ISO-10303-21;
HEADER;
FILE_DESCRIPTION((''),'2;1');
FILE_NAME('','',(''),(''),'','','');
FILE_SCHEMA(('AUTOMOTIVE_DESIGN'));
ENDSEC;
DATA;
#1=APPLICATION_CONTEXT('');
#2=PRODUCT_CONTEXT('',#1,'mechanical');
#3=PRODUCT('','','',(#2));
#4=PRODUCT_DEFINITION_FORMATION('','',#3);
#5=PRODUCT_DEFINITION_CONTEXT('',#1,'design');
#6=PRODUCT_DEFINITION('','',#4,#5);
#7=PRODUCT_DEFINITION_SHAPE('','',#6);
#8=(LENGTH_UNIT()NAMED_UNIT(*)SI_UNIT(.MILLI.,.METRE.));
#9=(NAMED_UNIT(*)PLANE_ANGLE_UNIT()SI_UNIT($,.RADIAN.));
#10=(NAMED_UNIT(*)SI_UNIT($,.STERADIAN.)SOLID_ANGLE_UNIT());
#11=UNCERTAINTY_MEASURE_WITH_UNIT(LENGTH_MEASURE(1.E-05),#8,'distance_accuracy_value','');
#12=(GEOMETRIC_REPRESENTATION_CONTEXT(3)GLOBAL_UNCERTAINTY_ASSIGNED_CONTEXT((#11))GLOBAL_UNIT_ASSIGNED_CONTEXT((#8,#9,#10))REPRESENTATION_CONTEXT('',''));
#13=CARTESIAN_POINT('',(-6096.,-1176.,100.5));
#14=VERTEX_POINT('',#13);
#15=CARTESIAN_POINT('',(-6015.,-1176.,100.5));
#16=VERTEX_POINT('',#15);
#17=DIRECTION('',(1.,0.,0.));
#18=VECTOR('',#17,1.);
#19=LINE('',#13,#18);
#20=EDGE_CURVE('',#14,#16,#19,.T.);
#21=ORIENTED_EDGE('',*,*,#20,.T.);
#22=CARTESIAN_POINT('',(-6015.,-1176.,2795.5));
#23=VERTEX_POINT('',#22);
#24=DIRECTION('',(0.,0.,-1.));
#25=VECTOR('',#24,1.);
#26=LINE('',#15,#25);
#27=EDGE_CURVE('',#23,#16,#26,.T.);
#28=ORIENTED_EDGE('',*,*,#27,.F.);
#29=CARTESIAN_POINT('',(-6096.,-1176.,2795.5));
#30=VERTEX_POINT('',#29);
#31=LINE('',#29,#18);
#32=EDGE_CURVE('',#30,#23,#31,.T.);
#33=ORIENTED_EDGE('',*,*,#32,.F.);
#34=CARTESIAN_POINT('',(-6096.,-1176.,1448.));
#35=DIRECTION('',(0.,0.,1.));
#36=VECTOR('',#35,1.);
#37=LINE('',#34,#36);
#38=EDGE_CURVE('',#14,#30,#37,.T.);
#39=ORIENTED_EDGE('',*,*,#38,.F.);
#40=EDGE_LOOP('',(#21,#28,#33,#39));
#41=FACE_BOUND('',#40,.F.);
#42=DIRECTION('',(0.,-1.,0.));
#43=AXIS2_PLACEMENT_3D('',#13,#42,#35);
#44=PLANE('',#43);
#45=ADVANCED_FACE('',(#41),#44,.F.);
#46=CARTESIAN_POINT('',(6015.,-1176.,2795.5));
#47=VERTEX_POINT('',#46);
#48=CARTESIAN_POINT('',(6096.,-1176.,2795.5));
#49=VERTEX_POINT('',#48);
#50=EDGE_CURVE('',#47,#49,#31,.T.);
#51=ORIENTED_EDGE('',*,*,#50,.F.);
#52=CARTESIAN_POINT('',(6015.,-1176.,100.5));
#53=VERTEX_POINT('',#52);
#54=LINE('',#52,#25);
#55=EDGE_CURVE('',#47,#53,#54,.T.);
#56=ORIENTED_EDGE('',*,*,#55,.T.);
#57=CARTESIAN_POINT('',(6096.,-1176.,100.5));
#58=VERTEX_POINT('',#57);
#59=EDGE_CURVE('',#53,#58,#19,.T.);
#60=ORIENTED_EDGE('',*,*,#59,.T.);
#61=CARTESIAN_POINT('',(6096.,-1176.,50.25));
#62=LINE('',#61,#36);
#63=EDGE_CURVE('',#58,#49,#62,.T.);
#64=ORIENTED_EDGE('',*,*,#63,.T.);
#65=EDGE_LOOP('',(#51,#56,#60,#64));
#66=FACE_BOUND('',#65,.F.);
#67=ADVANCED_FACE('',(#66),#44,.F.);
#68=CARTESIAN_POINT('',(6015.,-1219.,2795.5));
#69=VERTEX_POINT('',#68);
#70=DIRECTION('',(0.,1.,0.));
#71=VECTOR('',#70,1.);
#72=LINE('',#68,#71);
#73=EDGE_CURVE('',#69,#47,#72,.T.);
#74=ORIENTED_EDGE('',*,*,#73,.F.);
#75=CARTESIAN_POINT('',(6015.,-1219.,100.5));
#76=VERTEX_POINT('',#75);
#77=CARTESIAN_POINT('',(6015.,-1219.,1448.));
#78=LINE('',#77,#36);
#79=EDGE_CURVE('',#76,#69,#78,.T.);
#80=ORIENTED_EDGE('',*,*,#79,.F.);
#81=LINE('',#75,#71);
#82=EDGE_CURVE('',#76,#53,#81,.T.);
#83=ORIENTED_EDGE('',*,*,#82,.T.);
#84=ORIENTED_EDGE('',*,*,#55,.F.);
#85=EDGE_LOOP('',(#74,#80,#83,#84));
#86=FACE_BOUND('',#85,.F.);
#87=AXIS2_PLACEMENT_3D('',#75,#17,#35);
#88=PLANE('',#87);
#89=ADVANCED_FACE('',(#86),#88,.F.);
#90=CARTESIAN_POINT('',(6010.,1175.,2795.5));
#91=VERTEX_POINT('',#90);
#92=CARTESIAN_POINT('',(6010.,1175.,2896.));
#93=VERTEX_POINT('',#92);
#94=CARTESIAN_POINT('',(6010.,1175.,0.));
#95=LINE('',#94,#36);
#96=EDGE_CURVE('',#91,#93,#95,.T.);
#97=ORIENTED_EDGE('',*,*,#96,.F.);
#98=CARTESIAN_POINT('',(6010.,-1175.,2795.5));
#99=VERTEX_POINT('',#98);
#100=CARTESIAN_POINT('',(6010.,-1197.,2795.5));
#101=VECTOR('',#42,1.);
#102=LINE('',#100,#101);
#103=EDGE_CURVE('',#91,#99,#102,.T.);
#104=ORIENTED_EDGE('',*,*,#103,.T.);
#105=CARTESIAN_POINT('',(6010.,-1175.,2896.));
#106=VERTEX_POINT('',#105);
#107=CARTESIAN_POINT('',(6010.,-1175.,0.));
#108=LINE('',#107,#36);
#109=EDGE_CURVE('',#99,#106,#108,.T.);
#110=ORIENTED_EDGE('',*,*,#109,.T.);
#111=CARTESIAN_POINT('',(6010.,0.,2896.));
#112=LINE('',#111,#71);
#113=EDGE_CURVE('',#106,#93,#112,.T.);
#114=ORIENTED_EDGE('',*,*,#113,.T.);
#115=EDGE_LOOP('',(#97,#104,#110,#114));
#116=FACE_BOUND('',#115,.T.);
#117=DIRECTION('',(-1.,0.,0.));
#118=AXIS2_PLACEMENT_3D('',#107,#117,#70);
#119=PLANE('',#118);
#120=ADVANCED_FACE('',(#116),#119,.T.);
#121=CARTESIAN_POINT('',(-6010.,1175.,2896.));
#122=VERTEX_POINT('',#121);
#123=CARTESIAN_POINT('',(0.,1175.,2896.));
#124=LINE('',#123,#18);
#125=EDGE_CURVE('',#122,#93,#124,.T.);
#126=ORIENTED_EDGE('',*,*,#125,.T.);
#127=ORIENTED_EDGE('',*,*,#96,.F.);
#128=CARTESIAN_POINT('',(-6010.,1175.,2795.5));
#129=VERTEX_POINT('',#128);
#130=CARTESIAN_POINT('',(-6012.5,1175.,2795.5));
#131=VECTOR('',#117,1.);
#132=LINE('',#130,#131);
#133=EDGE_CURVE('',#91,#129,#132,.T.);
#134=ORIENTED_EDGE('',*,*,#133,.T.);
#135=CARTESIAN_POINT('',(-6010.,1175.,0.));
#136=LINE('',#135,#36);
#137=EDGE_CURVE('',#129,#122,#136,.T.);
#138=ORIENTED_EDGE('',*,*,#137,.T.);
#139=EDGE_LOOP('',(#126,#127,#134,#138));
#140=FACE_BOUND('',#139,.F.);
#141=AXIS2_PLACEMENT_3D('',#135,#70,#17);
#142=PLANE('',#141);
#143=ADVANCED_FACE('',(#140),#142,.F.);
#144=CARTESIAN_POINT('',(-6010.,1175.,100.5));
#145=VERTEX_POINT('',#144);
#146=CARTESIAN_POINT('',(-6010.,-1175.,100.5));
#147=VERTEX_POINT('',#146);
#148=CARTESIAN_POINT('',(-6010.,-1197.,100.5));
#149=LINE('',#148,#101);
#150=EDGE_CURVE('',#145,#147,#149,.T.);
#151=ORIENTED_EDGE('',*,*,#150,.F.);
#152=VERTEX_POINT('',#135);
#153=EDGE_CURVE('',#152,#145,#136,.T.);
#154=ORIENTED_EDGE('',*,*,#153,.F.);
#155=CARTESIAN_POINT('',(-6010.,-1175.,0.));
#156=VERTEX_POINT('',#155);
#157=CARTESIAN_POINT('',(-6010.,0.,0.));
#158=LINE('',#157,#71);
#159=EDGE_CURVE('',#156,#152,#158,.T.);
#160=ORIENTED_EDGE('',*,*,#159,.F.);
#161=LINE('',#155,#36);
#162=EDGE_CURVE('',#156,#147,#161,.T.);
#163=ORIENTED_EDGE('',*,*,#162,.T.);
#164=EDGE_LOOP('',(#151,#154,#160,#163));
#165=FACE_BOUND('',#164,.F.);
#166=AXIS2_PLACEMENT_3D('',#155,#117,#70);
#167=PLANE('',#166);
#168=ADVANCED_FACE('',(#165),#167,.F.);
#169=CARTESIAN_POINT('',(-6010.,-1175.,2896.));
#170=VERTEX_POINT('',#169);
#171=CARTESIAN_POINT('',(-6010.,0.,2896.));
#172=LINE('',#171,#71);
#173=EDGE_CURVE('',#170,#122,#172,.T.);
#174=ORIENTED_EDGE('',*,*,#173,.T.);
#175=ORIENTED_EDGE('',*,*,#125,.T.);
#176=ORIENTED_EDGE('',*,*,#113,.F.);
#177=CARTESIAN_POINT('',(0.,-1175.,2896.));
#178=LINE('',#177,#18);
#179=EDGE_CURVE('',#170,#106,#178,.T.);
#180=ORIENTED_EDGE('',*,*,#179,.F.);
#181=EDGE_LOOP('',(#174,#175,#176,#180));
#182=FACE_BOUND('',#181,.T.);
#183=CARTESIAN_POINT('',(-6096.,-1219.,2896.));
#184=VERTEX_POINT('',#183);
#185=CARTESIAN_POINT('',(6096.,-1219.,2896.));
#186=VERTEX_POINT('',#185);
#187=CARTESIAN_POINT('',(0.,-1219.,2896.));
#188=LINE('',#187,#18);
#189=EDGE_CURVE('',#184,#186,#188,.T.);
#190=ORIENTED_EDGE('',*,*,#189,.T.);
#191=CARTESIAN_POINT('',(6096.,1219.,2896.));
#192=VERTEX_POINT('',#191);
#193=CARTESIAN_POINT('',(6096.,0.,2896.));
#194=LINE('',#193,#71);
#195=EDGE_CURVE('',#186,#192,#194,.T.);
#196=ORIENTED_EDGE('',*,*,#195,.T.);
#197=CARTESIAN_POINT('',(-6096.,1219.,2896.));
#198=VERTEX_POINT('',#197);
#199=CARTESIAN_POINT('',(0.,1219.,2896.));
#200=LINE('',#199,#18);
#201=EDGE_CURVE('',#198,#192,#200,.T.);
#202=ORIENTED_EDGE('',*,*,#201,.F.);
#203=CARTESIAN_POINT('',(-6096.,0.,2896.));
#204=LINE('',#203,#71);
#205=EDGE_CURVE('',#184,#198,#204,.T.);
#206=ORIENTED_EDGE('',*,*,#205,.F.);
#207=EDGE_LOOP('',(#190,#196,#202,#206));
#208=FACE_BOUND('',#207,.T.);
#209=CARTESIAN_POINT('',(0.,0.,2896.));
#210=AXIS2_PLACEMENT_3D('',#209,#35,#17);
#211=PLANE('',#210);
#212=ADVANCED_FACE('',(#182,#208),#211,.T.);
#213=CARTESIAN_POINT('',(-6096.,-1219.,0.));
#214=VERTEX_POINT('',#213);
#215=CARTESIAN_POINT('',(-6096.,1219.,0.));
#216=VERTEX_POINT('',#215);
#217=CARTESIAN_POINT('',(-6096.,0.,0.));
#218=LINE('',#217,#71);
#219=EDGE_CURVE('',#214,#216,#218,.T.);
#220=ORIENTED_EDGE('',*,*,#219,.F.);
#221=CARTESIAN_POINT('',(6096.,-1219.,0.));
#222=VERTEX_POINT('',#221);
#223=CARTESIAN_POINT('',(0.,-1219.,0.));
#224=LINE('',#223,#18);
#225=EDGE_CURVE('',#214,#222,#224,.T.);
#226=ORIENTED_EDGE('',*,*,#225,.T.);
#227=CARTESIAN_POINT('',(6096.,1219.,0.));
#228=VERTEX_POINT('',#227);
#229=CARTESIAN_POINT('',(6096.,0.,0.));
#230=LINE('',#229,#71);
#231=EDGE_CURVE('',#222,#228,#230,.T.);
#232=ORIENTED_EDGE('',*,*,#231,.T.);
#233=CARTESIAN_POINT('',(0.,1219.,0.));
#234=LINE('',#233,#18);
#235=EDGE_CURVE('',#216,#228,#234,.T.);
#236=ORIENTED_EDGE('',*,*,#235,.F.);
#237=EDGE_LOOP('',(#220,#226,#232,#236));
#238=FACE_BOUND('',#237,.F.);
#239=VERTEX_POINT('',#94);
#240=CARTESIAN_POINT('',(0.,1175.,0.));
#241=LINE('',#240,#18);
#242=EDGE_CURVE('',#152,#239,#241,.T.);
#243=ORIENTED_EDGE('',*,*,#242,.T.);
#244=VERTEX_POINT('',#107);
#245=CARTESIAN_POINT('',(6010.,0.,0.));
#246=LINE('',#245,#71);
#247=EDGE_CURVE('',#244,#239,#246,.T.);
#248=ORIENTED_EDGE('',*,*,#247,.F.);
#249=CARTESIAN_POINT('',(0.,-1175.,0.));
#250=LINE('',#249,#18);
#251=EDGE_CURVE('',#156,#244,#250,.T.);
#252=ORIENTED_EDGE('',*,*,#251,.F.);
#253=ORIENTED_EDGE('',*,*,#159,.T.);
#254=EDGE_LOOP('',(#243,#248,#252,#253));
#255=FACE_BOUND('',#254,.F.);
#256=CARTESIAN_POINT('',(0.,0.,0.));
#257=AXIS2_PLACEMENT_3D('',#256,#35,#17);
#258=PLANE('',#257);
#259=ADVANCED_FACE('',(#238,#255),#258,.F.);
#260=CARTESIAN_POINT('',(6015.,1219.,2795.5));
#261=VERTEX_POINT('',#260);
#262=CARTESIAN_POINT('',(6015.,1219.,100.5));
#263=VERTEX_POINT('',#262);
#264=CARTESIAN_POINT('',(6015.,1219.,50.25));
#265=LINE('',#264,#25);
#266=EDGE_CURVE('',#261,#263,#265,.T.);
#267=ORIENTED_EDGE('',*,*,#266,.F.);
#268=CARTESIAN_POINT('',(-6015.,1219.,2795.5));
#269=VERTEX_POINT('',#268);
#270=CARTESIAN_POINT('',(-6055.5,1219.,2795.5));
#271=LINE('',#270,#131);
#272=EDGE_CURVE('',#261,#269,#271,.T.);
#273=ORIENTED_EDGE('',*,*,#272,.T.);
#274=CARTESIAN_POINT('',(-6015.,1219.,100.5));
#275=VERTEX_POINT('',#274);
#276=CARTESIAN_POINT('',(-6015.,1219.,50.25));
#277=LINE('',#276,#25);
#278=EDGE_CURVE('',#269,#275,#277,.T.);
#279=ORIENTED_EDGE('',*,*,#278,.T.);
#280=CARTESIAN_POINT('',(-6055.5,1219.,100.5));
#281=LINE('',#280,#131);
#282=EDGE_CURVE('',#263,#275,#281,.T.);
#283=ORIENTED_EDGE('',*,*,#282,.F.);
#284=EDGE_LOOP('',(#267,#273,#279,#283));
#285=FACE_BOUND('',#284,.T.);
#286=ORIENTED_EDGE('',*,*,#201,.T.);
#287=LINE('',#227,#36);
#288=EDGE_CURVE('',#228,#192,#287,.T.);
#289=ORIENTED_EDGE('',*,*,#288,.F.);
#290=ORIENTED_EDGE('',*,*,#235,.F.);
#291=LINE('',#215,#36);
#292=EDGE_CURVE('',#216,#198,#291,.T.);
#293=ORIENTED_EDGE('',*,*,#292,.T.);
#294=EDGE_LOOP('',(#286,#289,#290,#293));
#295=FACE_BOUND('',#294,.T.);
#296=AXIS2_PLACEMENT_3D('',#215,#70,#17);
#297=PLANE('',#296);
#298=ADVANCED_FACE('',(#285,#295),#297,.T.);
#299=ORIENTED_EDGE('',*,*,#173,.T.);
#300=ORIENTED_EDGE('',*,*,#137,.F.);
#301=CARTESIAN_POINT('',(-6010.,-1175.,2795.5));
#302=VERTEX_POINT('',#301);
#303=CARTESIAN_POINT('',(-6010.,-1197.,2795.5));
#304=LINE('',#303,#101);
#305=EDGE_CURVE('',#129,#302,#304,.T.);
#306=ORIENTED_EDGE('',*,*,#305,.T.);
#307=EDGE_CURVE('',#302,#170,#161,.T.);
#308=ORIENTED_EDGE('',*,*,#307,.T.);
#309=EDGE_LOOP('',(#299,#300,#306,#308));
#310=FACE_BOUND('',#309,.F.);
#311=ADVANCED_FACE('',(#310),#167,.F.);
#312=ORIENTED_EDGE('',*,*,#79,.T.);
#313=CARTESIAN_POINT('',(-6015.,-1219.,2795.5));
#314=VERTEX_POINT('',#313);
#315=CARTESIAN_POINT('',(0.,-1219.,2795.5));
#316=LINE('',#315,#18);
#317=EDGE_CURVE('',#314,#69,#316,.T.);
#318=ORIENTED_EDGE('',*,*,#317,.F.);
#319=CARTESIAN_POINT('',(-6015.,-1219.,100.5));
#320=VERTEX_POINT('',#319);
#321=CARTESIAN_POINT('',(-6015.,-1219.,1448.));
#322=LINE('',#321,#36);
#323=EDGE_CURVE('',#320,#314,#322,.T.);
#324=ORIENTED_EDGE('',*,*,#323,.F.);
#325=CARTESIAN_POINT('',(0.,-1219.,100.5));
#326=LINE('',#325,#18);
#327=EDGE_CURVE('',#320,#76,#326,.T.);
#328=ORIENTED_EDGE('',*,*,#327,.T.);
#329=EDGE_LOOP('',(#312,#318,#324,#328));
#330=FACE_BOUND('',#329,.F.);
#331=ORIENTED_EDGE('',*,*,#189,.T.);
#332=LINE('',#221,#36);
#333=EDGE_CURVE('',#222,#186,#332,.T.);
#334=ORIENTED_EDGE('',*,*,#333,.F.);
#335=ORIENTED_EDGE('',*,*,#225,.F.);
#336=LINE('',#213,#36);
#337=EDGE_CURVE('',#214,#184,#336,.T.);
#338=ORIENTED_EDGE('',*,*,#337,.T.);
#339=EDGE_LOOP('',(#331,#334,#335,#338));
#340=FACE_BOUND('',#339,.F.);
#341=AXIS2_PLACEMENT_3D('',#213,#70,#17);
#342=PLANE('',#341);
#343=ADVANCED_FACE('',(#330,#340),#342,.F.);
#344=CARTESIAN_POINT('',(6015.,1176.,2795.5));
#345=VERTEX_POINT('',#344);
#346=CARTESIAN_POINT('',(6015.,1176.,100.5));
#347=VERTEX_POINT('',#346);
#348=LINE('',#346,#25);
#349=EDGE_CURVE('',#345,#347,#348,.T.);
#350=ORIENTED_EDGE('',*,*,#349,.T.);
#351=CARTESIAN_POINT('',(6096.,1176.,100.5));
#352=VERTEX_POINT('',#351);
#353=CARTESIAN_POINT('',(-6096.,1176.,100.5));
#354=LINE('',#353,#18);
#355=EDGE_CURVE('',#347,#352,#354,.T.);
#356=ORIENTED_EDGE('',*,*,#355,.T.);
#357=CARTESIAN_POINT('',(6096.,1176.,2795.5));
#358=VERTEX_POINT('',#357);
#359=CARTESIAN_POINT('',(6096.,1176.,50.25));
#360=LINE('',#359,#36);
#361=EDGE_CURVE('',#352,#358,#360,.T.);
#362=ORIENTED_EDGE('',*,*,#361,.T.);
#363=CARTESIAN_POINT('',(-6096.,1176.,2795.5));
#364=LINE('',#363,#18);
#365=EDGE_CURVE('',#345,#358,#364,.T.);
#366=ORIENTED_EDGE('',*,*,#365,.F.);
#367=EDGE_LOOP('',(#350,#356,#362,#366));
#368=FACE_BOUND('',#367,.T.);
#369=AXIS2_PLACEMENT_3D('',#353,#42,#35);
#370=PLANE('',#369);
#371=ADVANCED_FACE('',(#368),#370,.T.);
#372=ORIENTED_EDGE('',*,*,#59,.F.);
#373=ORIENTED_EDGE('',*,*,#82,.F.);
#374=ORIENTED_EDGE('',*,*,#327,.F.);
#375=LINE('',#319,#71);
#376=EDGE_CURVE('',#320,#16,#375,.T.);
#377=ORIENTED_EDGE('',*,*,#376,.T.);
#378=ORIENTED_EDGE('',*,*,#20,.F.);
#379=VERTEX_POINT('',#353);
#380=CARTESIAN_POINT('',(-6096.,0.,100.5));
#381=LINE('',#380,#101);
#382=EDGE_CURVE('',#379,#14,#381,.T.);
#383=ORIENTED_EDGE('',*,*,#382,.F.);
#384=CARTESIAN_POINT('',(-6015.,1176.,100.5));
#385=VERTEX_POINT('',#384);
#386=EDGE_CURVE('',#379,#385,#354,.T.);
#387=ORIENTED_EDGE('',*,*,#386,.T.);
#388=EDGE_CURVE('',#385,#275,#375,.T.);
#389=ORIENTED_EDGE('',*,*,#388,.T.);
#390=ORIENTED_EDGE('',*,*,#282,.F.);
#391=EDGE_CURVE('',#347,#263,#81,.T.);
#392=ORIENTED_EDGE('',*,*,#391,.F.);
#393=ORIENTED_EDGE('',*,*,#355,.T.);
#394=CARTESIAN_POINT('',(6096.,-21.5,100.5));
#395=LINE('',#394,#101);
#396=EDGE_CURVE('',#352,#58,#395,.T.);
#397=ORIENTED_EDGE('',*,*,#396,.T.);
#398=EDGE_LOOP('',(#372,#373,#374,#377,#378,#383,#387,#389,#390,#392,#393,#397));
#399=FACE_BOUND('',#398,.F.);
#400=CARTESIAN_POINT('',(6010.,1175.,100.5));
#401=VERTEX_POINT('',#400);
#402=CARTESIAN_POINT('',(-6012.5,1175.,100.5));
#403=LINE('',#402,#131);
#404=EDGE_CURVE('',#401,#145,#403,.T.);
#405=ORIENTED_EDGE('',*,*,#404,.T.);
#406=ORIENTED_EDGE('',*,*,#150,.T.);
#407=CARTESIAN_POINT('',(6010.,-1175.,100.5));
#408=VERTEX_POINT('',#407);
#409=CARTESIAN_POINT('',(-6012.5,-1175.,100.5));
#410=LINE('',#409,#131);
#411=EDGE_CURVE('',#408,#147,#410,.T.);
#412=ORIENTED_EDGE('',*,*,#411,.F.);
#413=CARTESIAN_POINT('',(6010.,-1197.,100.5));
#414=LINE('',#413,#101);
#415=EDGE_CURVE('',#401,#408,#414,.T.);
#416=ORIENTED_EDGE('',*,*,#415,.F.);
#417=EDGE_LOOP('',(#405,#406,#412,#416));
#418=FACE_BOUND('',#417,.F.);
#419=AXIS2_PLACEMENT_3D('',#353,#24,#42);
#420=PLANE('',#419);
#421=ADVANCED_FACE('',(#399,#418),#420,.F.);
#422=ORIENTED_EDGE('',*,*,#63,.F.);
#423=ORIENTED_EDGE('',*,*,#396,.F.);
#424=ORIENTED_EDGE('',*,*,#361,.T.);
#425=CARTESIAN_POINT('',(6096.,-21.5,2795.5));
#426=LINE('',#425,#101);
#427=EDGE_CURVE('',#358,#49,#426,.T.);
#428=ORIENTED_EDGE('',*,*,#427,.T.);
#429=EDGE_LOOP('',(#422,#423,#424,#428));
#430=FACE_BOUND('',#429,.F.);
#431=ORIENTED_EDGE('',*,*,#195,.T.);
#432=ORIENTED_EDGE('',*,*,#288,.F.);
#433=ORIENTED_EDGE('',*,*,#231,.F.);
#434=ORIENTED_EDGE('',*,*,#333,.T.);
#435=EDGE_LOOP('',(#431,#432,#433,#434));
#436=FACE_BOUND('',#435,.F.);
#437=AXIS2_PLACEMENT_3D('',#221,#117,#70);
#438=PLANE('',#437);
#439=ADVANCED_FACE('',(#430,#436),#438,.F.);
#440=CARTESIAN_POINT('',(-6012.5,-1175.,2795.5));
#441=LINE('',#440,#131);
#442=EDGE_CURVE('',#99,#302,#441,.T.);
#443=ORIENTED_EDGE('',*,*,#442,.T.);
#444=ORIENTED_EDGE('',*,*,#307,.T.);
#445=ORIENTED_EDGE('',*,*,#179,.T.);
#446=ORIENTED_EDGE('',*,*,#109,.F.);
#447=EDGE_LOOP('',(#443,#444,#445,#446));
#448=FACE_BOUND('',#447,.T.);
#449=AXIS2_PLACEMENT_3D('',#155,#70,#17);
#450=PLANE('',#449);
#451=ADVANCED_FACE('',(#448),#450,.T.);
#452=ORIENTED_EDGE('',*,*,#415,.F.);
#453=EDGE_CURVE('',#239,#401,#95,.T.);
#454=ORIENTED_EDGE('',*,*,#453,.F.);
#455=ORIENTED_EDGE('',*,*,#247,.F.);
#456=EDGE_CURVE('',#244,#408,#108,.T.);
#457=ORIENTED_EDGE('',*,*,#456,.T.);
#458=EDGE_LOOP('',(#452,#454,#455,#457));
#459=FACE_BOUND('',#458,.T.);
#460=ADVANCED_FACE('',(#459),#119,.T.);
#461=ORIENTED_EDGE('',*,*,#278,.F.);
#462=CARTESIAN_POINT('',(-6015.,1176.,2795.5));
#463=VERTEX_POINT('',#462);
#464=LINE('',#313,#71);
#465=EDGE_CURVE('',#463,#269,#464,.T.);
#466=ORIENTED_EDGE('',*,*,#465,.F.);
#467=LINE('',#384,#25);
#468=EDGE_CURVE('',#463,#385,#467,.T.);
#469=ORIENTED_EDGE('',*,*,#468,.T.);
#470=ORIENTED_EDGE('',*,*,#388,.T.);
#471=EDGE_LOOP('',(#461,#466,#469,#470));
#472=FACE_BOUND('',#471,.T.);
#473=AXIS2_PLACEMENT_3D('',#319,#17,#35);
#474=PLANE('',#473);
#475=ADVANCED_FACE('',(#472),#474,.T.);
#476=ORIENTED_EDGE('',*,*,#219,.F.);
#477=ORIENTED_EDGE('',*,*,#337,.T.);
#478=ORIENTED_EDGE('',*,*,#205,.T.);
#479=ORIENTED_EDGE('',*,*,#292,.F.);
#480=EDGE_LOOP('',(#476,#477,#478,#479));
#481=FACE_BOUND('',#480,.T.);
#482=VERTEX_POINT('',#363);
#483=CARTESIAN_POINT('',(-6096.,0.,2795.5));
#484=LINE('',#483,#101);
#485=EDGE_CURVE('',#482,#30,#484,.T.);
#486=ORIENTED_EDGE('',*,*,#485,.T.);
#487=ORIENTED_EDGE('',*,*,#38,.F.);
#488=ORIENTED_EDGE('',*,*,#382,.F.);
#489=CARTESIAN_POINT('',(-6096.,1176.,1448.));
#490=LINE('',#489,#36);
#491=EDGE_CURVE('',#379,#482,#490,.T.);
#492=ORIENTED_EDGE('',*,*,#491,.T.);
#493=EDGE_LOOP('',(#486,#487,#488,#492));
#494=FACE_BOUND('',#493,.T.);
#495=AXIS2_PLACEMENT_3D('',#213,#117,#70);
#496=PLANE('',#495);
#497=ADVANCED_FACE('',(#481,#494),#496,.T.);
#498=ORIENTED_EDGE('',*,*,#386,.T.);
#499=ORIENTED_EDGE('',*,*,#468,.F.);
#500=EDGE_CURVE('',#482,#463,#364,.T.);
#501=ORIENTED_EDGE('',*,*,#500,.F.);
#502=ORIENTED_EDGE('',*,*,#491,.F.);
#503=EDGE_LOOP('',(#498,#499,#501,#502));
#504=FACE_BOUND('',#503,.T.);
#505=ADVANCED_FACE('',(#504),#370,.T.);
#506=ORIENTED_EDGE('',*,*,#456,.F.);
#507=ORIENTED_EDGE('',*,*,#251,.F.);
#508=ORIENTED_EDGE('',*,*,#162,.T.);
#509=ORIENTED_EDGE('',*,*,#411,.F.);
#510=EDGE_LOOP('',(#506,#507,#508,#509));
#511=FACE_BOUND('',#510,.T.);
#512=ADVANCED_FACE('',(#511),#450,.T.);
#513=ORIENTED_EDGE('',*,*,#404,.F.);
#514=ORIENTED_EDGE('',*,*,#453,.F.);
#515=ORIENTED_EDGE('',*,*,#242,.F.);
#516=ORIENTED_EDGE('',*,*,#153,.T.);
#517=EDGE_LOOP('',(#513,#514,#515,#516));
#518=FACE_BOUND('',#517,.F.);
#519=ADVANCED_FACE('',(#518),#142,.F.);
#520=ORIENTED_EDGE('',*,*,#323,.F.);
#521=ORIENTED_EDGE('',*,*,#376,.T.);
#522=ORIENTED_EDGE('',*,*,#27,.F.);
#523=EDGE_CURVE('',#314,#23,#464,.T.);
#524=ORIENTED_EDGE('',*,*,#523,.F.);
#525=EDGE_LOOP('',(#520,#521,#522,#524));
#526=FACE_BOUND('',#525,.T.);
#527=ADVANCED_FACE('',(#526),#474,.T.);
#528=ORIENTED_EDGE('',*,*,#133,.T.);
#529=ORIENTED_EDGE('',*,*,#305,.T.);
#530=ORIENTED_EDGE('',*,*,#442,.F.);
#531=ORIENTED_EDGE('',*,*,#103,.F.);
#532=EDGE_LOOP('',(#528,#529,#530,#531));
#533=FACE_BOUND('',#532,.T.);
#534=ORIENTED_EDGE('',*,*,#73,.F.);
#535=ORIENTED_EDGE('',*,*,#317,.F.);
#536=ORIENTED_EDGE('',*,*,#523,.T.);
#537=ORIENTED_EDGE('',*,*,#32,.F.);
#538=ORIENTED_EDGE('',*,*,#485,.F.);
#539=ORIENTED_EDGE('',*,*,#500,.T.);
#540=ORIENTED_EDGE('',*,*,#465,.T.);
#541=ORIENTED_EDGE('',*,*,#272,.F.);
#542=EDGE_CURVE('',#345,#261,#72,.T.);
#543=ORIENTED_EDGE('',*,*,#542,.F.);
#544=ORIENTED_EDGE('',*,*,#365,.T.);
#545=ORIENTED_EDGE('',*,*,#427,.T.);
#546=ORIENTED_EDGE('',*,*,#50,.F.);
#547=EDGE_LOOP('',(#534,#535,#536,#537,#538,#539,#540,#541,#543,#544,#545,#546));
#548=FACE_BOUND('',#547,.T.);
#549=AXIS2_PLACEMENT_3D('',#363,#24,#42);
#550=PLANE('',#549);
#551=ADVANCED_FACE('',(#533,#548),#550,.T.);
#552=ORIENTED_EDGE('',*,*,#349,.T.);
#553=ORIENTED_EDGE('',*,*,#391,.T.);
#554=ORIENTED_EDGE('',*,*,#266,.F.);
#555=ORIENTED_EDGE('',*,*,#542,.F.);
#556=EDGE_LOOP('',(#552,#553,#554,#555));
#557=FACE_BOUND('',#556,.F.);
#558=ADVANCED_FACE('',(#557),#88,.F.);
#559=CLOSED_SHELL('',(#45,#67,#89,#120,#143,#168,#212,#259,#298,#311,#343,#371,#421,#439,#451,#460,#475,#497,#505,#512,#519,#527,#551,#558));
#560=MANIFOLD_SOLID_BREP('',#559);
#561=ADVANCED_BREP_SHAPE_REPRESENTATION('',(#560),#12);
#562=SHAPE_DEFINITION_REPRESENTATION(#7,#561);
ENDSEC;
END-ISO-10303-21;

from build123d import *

# Parameters (mm, degrees)
F4_W     = 12192
F4_H     = 2438
F4_W_2   = 12020
F4_H_2   = 2350
F0_DEPTH = 2896
F1_W     = 12030
F1_H     = 2695
F5_DEPTH = 2438.001
F2_W     = 2352
F2_H     = 2695
F3_DEPTH = 12192.001


with BuildPart() as f0:
    # F4 (on Top) → F0 (new body)
    with BuildSketch(Plane.XY):
        Rectangle(F4_W, F4_H)
        Rectangle(F4_W_2, F4_H_2, mode=Mode.SUBTRACT)
    extrude(amount=F0_DEPTH)

    # F1 (on face) → F5 (cut, through all)
    with BuildSketch(Plane.XZ.offset(1219)):
        with Locations((0, 1448)):
            Rectangle(F1_W, F1_H)
    extrude(amount=-F5_DEPTH, mode=Mode.SUBTRACT)

    # F2 (on face) → F3 (cut, through all)
    with BuildSketch(Plane(origin=(-6096, 0, 0), x_dir=(0, -1, 0), z_dir=(-1, 0, 0))):
        with Locations((0, 1448)):
            Rectangle(F2_W, F2_H)
    extrude(amount=-F3_DEPTH, mode=Mode.SUBTRACT)


solid = f0.part
